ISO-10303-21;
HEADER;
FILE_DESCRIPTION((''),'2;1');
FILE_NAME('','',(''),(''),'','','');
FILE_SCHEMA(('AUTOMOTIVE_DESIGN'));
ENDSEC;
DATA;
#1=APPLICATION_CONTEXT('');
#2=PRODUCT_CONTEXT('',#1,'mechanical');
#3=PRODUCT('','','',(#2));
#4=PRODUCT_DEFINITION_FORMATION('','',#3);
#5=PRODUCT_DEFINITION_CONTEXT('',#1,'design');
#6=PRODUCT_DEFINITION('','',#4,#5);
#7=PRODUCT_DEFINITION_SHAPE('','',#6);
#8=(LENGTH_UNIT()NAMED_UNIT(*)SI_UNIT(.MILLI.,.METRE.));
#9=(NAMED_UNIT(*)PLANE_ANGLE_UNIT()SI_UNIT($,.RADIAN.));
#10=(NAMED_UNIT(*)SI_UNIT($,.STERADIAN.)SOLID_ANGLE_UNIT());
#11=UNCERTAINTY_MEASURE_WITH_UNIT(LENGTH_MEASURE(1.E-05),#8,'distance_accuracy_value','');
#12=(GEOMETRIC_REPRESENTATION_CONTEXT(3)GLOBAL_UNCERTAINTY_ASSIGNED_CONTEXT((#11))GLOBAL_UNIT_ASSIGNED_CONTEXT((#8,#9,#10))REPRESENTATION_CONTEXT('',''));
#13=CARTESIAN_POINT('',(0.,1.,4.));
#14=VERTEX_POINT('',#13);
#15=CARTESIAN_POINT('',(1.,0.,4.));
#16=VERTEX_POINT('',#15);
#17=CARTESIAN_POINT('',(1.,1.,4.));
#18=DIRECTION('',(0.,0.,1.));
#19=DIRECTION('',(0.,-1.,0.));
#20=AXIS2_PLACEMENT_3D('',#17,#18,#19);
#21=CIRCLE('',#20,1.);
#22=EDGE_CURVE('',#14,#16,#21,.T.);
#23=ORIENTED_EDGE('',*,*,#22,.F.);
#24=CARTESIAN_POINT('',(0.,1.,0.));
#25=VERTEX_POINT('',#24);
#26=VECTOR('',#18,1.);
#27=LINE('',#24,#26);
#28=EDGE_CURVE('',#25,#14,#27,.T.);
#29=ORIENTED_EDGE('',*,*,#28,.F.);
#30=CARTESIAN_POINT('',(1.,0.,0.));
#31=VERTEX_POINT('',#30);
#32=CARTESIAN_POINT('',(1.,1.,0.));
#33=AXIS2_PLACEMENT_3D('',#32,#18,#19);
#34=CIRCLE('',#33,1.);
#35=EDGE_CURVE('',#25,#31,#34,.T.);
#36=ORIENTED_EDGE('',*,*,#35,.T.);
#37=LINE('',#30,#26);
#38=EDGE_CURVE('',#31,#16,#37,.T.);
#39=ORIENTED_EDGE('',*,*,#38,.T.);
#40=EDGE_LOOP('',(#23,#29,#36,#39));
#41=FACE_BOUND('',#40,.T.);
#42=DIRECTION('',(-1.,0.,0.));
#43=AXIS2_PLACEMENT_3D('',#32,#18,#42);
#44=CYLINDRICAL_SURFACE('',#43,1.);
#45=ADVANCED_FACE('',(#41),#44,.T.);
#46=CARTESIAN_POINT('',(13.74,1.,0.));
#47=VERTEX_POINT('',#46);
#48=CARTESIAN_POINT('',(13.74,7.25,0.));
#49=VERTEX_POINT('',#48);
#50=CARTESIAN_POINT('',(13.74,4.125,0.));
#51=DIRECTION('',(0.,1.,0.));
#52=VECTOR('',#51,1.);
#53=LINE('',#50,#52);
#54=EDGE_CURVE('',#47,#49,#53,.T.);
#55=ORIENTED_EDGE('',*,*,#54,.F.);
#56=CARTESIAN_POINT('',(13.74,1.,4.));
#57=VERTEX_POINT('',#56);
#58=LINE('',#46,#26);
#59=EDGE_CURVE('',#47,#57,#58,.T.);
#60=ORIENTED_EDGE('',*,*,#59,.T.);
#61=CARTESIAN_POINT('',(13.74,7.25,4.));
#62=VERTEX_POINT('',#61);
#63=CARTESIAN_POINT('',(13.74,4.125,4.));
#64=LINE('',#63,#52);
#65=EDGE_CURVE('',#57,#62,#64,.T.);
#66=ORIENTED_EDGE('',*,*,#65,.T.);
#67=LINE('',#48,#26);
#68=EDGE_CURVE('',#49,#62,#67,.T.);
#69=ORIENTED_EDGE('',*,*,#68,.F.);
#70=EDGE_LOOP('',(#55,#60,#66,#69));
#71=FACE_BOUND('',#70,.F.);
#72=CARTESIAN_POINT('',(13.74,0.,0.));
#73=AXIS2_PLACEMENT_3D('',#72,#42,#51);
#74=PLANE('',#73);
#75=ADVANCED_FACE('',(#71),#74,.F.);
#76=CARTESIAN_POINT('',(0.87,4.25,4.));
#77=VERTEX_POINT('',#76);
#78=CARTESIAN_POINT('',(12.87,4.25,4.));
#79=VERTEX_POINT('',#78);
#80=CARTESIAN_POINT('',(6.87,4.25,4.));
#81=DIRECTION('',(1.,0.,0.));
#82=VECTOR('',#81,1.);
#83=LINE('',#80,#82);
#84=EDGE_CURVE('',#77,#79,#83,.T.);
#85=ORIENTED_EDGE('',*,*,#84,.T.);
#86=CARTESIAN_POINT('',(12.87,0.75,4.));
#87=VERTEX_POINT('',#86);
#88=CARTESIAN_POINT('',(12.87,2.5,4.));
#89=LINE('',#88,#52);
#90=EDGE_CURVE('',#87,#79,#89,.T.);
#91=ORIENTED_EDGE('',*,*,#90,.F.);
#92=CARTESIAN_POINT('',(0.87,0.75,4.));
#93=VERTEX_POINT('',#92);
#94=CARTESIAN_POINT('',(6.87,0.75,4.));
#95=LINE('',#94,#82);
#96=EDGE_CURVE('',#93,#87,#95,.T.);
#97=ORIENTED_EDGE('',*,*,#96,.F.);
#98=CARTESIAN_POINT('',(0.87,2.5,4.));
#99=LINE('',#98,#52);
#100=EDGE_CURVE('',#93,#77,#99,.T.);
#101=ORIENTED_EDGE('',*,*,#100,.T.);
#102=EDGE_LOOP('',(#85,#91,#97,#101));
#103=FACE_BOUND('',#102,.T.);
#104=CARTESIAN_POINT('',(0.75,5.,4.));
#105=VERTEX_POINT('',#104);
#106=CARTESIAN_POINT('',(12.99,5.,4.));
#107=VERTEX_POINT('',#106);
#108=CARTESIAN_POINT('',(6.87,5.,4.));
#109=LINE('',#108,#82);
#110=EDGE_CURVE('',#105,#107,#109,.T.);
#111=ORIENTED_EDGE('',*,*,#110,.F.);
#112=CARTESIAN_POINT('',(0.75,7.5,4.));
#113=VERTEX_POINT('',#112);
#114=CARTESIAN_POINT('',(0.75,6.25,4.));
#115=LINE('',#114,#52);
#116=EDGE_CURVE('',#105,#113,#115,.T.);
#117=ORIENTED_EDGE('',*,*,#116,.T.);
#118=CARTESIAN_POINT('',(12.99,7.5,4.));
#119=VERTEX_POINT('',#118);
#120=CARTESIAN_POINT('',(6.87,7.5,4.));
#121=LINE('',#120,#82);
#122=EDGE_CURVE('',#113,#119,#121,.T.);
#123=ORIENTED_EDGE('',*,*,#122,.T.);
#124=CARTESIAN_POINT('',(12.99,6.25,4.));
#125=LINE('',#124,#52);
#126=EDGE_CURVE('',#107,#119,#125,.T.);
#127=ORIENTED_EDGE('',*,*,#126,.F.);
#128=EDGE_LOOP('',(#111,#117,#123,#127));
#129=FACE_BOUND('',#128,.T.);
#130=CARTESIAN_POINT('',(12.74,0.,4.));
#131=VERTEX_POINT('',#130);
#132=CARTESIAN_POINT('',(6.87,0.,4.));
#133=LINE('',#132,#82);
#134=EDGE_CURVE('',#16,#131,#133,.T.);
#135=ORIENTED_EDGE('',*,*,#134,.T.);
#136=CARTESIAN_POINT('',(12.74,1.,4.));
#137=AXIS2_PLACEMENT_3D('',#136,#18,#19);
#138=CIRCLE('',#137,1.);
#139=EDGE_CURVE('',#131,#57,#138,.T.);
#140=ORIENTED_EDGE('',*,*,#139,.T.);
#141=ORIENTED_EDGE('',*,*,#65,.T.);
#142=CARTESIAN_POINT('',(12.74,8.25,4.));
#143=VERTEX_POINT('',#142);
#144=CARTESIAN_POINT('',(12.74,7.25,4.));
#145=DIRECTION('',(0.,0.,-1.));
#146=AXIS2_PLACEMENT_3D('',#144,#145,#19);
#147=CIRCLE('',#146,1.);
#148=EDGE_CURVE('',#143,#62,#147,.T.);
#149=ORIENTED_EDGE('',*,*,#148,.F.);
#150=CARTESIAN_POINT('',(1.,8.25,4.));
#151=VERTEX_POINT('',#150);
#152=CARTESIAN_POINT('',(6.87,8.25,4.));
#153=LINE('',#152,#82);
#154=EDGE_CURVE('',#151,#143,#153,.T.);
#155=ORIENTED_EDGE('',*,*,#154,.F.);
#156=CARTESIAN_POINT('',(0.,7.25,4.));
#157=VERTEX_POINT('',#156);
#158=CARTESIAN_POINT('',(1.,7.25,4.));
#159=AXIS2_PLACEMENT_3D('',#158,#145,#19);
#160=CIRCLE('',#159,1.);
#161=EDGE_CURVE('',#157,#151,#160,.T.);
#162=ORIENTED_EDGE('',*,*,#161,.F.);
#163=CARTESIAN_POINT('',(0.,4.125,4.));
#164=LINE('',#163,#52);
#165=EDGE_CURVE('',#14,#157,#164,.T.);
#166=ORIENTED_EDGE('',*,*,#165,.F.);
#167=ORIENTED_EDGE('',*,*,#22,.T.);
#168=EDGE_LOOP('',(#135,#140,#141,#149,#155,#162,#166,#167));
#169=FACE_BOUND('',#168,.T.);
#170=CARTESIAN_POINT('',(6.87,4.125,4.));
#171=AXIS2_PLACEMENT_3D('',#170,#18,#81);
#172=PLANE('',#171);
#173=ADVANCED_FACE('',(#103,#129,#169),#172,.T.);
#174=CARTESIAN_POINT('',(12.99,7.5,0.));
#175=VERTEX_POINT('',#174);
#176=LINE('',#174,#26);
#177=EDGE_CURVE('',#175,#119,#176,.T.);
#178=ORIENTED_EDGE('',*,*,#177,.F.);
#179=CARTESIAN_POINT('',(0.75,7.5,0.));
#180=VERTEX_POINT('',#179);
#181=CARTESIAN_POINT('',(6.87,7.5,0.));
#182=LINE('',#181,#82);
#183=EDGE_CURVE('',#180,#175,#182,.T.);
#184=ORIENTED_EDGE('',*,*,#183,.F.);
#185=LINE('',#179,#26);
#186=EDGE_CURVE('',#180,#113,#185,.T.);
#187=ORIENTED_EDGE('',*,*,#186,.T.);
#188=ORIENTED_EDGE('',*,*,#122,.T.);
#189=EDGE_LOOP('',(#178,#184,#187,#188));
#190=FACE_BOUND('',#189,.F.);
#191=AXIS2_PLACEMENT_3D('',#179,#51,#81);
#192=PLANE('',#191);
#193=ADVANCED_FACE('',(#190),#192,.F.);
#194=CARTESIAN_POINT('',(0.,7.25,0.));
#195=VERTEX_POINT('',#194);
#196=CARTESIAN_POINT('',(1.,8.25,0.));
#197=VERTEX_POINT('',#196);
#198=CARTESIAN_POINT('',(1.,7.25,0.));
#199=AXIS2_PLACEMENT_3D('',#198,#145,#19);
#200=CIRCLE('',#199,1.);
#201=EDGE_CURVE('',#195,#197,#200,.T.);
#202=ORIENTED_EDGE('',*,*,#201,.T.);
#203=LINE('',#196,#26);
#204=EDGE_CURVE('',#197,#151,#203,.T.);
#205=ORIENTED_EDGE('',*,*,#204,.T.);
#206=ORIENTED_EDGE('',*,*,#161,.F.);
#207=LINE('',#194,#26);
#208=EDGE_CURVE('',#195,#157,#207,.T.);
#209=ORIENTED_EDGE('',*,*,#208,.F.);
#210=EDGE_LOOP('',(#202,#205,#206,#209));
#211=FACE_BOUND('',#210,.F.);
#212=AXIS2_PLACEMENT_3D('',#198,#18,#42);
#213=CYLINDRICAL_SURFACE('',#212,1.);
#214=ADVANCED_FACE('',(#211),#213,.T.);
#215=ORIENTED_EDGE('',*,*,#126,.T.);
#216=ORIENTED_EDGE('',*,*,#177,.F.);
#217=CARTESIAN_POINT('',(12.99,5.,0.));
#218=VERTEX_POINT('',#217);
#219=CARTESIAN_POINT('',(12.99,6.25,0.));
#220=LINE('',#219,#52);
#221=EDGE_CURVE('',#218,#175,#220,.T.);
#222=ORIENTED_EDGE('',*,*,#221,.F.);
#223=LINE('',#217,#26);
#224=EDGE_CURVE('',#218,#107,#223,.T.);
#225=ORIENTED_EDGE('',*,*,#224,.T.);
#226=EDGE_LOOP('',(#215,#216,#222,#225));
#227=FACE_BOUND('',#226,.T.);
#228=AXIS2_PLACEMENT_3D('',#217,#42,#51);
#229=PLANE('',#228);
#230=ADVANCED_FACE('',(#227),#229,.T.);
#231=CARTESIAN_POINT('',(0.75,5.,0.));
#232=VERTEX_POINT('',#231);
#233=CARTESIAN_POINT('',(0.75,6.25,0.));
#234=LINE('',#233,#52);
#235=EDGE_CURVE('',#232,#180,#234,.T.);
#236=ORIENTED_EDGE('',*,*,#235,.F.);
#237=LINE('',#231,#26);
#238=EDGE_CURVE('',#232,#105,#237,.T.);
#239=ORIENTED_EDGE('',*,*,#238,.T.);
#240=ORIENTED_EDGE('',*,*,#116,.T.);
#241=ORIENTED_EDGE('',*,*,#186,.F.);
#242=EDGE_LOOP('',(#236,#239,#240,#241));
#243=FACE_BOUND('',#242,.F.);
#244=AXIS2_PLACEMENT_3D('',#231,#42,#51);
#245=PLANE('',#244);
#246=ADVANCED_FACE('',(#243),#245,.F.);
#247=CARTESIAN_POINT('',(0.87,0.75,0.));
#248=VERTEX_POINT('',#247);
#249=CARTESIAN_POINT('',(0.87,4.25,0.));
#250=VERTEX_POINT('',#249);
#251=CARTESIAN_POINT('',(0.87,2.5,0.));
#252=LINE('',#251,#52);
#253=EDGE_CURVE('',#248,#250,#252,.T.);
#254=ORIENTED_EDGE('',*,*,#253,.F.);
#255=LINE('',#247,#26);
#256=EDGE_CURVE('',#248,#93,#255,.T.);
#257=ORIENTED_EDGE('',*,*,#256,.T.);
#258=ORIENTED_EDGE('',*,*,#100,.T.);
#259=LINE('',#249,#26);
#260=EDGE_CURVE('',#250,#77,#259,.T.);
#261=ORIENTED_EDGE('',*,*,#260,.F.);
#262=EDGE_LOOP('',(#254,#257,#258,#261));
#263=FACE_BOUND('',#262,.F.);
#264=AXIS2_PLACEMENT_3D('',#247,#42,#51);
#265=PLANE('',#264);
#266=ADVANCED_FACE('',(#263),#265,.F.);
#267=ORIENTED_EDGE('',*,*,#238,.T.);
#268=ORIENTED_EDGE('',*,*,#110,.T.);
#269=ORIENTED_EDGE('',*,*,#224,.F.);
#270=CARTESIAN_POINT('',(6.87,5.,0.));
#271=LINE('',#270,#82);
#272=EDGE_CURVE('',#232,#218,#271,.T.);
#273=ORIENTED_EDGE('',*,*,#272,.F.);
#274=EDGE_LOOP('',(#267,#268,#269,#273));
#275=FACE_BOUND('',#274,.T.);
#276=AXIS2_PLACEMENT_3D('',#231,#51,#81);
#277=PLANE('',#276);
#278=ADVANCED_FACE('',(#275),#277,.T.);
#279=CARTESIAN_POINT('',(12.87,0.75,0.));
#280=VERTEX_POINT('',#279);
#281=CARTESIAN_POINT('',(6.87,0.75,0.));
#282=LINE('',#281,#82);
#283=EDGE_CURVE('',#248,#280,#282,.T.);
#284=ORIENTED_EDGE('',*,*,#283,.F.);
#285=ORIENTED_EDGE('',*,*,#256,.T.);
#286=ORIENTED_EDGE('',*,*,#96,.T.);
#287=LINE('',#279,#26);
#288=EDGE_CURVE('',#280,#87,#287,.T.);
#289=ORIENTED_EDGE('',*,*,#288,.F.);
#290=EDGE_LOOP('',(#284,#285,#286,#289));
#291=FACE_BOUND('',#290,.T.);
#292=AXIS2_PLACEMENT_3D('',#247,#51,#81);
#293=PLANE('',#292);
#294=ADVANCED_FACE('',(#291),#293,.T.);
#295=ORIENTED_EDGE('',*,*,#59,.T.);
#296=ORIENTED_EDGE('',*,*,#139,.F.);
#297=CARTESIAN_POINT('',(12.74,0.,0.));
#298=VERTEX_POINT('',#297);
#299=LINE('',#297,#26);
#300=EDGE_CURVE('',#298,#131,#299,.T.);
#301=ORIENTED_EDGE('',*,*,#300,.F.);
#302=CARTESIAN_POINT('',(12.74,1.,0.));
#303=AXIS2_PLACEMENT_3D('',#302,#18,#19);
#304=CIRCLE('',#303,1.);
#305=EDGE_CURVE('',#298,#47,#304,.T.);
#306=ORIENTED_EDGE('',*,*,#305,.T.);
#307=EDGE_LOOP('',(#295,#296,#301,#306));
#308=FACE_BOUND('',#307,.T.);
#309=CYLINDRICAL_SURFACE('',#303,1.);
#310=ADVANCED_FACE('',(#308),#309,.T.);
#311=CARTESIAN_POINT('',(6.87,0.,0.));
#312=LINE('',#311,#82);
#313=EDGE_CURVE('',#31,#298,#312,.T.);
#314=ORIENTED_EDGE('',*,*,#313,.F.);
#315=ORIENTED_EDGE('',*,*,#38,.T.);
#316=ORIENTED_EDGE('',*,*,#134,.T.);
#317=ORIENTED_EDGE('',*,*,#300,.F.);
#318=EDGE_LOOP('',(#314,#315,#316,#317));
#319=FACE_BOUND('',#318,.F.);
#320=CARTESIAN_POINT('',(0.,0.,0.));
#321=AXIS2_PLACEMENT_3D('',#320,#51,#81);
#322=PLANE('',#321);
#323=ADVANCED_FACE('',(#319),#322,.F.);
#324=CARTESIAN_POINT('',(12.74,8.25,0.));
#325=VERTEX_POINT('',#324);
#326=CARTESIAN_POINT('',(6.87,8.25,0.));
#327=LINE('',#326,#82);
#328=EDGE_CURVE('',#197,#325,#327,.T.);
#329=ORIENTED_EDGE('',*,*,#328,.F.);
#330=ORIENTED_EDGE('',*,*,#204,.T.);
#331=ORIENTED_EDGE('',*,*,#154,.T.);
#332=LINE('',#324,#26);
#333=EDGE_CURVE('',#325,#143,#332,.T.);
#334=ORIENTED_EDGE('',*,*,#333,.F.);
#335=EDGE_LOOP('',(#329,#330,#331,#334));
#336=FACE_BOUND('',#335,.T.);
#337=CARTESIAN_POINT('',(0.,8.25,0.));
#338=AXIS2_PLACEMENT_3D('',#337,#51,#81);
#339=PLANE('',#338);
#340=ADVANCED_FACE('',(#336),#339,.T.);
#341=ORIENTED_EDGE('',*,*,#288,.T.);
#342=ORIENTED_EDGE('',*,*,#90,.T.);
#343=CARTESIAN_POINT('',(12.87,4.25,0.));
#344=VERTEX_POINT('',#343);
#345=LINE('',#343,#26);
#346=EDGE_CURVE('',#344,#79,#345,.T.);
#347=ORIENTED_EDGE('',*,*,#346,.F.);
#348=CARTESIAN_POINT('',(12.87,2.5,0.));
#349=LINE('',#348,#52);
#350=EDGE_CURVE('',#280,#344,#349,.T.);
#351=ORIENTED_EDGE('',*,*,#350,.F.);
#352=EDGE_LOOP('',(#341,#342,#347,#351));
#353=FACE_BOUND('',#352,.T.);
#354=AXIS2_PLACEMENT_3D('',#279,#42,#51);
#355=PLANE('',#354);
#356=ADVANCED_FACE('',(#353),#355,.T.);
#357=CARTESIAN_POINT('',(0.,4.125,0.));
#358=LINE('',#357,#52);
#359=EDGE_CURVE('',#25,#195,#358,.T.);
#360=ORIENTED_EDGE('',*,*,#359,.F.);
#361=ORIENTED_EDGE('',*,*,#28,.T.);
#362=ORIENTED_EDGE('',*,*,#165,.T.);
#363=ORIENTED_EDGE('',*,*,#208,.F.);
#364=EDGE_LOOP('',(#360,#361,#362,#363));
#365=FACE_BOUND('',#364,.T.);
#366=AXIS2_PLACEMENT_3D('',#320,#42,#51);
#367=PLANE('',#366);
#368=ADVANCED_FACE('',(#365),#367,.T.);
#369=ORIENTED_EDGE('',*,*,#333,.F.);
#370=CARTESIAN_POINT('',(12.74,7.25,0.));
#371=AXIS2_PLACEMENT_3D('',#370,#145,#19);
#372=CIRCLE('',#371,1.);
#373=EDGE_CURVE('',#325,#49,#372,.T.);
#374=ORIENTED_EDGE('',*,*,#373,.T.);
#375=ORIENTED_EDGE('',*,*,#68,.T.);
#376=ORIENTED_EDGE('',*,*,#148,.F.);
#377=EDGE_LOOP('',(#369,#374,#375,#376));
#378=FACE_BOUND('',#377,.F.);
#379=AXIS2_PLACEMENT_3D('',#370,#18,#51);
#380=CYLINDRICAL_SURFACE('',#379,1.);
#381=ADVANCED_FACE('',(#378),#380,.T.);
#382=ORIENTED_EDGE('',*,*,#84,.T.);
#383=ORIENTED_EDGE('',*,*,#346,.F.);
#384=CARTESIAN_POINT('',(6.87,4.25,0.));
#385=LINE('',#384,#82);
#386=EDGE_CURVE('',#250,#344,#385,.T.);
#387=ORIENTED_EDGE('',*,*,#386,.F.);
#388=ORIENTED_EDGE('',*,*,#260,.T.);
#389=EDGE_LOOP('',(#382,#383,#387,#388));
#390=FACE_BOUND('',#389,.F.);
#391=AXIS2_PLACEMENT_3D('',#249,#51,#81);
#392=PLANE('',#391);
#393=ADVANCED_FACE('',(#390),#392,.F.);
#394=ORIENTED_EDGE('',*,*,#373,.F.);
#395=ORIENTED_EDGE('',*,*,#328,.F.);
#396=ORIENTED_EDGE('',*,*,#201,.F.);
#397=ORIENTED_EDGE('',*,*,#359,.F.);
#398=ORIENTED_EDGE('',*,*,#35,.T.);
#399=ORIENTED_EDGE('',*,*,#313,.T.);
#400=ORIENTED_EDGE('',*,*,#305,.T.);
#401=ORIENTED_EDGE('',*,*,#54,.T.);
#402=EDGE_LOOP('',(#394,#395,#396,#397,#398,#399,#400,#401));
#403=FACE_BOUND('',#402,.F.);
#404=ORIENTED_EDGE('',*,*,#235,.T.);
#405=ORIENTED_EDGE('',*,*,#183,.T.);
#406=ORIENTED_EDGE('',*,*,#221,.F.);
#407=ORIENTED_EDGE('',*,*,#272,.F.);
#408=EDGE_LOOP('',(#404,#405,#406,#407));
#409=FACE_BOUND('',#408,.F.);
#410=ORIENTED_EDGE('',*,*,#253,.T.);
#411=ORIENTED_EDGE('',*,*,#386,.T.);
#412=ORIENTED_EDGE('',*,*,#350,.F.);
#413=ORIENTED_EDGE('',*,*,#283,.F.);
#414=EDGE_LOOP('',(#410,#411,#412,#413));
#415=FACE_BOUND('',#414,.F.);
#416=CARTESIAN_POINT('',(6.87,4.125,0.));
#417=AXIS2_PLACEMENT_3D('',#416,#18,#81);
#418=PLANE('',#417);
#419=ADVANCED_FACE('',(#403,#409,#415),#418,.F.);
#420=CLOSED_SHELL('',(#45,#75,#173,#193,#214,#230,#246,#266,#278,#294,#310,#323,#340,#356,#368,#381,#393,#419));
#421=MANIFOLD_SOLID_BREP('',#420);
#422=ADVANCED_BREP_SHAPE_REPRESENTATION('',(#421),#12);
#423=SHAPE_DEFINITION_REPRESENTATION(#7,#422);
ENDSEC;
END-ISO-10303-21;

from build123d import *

# Parameters (mm, degrees)
F0_W     = 13.74
F0_H     = 8.25
F0_W_2   = 12
F0_H_2   = 3.5
F0_W_3   = 12.24
F0_H_3   = 2.5
F1_DEPTH = 4
F2_R     = 1


with BuildPart() as f1:
    # F0 (on Top) → F1 (new body)
    with BuildSketch(Plane.XY):
        with Locations((6.87, 4.125)):
            Rectangle(F0_W, F0_H)
        with Locations((6.87, 2.5)):
            Rectangle(F0_W_2, F0_H_2, mode=Mode.SUBTRACT)
        with Locations((6.87, 6.25)):
            Rectangle(F0_W_3, F0_H_3, mode=Mode.SUBTRACT)
    extrude(amount=F1_DEPTH)

    # F2
    f2_edges = [f1.edges().sort_by_distance(p)[0] for p in [
        (0, 0, 2),
        (13.74, 0, 2),
        (13.74, 8.25, 2),
        (0, 8.25, 2),
    ]]
    fillet(f2_edges, radius=F2_R)


solid = f1.part
